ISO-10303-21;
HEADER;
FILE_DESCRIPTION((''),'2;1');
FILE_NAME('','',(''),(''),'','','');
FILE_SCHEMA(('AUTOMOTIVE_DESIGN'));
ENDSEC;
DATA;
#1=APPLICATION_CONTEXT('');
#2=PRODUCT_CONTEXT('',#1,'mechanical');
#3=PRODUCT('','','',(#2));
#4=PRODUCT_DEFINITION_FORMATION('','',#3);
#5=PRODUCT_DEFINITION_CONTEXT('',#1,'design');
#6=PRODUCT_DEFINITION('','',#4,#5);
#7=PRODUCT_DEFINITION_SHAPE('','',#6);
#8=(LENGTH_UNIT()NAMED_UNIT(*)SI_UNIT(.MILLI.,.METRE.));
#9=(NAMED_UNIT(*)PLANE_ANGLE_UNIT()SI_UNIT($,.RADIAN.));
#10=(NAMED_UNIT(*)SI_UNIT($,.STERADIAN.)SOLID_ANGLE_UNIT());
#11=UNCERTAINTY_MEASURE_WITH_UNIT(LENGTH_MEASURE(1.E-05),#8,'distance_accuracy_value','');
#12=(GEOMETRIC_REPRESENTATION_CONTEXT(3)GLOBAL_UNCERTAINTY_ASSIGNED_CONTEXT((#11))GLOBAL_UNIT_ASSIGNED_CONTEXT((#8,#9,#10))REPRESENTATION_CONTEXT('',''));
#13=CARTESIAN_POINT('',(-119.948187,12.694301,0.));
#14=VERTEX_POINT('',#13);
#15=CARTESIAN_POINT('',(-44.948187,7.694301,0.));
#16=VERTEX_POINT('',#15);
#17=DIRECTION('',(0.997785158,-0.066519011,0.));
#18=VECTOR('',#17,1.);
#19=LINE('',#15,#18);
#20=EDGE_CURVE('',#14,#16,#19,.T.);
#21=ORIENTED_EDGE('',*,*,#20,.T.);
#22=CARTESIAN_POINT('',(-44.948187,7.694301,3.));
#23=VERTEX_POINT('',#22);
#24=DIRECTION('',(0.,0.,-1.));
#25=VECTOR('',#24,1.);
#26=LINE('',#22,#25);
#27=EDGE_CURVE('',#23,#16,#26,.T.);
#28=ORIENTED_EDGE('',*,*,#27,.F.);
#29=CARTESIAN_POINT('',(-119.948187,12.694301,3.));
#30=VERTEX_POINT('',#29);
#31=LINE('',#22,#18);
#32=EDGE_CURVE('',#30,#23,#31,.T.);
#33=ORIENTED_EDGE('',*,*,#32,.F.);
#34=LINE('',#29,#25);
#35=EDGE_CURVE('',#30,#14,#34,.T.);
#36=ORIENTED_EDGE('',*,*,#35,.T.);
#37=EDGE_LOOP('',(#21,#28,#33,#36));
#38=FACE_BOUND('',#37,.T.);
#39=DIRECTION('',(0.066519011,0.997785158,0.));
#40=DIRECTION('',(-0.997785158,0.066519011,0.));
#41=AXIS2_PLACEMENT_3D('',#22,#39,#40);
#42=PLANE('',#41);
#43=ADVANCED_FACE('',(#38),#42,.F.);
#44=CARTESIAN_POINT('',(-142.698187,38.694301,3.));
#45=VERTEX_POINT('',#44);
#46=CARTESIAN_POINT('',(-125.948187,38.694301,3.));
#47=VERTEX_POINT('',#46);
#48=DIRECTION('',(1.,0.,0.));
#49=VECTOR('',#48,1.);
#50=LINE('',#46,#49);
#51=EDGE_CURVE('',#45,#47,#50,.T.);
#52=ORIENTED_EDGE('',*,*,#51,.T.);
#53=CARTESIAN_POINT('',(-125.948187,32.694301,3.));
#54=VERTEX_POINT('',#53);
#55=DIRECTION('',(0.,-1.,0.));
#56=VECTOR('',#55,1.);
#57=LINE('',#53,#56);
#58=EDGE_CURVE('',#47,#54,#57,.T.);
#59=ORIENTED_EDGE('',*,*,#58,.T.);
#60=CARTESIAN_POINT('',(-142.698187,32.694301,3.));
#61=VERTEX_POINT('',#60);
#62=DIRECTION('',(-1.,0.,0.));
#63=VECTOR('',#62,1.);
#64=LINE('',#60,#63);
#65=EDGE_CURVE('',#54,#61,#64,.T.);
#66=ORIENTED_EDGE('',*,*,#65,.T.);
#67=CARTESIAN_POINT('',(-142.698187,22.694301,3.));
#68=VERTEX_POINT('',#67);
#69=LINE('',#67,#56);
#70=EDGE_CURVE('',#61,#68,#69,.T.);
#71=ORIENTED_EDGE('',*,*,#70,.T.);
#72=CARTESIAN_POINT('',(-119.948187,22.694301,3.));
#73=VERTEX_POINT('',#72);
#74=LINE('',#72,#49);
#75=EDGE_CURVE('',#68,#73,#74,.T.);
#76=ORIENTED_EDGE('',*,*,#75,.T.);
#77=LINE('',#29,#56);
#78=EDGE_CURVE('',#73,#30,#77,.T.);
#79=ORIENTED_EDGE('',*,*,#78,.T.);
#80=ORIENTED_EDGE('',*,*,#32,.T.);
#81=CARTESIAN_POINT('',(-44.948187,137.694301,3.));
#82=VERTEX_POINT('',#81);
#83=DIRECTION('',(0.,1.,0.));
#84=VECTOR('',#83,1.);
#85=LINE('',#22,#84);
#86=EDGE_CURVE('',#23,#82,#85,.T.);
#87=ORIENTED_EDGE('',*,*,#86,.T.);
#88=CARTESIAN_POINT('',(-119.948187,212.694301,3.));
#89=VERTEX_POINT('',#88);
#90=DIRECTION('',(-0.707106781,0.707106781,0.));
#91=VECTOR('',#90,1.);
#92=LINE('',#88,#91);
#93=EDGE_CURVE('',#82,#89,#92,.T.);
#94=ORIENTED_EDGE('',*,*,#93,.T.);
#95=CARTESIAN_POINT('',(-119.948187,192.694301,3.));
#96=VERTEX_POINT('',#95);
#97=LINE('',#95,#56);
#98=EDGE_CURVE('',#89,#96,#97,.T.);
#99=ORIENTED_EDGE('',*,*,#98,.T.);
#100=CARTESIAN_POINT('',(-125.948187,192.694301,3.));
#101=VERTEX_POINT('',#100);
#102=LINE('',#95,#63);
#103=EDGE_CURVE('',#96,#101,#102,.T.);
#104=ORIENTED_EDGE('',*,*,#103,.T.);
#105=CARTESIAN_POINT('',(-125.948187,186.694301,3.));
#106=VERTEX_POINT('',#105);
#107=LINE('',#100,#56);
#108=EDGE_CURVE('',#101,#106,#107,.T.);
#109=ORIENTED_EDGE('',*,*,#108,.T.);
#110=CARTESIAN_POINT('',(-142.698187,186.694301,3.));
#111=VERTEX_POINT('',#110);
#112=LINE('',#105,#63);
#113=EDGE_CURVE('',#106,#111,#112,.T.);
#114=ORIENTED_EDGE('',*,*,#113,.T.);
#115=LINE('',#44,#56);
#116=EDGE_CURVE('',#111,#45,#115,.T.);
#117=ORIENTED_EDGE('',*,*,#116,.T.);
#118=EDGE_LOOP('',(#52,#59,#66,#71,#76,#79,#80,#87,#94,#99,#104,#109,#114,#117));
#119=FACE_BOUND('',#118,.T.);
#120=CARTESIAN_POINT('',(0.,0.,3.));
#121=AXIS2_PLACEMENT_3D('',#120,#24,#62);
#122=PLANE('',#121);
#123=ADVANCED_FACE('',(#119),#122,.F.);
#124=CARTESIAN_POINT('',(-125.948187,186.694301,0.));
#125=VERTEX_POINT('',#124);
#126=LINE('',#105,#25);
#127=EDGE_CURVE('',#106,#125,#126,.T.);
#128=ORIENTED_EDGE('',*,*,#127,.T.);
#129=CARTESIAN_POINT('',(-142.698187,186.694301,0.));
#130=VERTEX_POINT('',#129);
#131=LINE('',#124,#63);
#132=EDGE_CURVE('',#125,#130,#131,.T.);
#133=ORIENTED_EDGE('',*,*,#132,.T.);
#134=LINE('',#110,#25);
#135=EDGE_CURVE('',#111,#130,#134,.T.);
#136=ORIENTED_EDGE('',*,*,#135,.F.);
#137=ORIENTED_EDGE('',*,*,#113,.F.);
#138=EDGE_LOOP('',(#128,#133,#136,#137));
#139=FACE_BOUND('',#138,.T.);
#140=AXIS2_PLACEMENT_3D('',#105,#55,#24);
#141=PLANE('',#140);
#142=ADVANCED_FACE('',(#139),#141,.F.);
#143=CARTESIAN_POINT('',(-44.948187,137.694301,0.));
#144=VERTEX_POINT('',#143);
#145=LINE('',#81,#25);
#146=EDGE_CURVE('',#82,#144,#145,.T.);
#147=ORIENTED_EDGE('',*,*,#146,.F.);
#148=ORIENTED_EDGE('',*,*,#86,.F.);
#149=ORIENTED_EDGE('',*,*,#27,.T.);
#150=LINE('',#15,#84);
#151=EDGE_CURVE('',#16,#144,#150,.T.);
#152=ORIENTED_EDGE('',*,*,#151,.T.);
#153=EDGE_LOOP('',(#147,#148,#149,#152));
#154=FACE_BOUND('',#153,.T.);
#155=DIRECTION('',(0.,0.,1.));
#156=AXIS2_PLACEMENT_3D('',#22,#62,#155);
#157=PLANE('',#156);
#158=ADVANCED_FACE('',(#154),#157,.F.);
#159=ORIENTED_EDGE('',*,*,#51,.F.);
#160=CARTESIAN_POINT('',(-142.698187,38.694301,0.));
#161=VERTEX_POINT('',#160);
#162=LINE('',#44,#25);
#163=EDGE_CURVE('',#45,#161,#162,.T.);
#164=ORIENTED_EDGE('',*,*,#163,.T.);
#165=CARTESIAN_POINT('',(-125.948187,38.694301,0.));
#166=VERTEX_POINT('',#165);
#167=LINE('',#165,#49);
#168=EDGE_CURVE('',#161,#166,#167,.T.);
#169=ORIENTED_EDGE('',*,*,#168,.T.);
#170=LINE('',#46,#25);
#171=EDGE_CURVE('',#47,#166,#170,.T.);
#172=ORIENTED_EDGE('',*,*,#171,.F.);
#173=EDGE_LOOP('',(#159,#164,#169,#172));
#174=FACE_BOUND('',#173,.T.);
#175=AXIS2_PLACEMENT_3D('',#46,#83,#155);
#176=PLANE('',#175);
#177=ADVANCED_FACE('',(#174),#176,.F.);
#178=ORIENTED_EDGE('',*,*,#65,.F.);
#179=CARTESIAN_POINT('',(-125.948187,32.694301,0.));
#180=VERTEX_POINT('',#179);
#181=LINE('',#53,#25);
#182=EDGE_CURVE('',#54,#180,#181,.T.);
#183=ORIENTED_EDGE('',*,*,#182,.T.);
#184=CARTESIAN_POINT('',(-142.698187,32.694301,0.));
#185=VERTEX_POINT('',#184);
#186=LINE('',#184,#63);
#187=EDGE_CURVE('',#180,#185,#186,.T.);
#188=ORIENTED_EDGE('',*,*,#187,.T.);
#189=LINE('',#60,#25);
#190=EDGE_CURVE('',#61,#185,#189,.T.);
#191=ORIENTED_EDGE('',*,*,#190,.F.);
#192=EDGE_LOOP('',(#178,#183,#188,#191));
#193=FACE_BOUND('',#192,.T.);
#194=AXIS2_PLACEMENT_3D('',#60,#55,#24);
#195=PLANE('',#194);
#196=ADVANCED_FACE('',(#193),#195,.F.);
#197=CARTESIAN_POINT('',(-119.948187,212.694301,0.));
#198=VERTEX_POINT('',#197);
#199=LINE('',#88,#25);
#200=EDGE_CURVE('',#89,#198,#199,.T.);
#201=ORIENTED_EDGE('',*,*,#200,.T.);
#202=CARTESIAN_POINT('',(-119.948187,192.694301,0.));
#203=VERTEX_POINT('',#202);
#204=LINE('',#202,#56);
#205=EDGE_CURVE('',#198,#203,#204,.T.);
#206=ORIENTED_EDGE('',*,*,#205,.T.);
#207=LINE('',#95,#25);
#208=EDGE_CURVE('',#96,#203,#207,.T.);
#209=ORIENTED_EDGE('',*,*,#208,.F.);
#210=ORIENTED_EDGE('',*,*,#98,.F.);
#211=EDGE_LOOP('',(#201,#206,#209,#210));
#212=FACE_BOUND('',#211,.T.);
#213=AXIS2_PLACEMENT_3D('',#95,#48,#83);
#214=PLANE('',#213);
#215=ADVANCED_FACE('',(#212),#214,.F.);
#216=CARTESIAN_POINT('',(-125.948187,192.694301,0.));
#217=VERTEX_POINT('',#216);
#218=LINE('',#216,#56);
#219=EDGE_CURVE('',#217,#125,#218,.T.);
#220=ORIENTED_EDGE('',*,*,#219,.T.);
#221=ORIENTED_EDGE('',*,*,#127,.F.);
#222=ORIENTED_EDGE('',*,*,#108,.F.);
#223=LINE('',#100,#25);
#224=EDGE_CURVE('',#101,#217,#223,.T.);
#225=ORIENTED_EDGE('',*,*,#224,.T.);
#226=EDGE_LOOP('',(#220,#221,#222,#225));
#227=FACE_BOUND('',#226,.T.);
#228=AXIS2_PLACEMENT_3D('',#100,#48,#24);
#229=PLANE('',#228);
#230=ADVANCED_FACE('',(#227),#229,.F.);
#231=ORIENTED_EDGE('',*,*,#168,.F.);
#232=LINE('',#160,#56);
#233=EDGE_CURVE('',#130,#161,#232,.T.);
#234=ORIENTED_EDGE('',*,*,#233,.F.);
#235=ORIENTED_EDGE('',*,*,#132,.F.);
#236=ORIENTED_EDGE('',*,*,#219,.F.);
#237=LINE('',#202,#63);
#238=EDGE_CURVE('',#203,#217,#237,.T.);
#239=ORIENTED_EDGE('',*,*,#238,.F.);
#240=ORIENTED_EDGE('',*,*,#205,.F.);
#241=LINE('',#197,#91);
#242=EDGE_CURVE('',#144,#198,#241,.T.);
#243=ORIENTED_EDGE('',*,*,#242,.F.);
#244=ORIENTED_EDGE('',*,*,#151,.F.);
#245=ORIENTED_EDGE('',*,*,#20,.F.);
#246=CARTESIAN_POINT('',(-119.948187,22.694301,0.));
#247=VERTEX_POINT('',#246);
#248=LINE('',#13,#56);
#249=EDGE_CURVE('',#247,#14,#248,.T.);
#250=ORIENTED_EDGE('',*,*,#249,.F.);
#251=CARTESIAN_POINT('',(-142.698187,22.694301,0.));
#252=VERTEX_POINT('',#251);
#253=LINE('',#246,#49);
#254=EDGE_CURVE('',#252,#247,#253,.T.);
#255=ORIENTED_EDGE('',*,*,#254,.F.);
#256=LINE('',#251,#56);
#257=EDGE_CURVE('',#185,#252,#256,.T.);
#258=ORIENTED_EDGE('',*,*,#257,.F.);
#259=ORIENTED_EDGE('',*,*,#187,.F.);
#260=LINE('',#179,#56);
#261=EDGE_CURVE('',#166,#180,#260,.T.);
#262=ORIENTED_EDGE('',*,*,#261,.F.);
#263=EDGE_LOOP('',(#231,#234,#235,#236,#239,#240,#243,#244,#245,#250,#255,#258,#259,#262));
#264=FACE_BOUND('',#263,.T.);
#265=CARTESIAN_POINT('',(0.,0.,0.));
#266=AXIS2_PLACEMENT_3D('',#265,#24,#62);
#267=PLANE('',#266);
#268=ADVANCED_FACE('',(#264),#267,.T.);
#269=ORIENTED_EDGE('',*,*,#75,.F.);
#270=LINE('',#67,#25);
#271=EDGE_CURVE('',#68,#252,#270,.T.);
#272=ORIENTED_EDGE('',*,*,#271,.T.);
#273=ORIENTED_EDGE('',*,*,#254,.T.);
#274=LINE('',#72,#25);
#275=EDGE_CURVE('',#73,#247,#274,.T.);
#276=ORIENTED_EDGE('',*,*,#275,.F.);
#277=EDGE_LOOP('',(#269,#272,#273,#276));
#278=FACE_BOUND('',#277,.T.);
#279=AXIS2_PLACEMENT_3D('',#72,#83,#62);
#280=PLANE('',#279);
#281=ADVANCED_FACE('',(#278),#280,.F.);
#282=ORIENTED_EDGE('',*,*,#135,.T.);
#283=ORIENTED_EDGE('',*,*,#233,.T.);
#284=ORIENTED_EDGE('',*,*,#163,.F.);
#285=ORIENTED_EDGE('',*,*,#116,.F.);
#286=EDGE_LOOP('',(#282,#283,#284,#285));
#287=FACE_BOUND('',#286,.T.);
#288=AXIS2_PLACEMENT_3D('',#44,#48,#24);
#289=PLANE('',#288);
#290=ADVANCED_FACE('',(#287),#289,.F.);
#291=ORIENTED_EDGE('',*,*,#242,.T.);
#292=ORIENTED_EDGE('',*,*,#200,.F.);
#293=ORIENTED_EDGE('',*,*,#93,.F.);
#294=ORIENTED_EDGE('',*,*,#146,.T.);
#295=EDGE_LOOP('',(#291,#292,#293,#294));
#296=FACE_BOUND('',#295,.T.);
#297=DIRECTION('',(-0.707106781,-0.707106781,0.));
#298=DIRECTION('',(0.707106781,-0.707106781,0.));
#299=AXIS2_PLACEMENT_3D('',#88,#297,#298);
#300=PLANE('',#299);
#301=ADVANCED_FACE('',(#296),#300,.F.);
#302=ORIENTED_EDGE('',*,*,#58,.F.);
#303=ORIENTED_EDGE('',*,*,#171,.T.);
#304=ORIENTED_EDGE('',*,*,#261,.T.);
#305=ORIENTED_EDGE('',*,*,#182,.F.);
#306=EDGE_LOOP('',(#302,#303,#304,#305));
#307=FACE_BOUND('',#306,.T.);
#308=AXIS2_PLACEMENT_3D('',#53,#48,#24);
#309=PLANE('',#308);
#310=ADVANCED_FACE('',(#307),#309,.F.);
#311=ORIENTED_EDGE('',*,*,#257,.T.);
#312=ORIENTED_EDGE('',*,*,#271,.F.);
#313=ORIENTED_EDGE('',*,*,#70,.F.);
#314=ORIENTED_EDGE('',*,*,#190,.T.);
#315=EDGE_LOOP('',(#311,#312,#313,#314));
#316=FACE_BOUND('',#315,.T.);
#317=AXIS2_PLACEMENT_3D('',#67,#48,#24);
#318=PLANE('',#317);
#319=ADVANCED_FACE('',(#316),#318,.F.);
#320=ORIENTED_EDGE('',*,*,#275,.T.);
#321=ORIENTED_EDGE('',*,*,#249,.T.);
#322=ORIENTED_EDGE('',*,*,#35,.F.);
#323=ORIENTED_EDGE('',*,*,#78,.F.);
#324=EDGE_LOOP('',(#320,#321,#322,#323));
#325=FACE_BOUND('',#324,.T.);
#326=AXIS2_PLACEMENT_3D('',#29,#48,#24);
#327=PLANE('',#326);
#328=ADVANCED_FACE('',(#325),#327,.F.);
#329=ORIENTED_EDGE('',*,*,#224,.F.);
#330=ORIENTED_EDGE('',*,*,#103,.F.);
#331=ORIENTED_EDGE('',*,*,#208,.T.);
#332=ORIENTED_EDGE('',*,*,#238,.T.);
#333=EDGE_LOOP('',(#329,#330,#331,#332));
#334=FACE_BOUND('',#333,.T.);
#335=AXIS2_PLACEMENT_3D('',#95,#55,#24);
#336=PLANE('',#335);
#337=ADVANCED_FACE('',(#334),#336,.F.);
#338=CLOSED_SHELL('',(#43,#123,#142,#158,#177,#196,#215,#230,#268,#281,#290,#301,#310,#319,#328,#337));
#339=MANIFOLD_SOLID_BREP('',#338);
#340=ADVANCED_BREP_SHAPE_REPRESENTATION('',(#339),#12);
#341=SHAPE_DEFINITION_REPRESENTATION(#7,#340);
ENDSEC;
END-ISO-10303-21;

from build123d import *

# Parameters (mm, degrees)
BOSS_EXTRUDE2_DEPTH = 3


with BuildPart() as part:
    # Sketch2 → Boss-Extrude2 (new body)
    with BuildSketch(Plane.XY):
        Polygon((-119.948186528, 12.694300518), (-119.948186528, 22.694300518), (-142.698186528, 22.694300518), (-142.698186528, 32.694300518), (-125.948186528, 32.694300518), (-125.948186528, 38.694300518), (-142.698186528, 38.694300518), (-142.698186528, 186.694300518), (-125.948186528, 186.694300518), (-125.948186528, 192.694300518), (-119.948186528, 192.694300518), (-119.948186528, 212.694300518), (-44.948186528, 137.694300518), (-44.948186528, 7.694300518), align=None)
    extrude(amount=BOSS_EXTRUDE2_DEPTH)


solid = part.part
